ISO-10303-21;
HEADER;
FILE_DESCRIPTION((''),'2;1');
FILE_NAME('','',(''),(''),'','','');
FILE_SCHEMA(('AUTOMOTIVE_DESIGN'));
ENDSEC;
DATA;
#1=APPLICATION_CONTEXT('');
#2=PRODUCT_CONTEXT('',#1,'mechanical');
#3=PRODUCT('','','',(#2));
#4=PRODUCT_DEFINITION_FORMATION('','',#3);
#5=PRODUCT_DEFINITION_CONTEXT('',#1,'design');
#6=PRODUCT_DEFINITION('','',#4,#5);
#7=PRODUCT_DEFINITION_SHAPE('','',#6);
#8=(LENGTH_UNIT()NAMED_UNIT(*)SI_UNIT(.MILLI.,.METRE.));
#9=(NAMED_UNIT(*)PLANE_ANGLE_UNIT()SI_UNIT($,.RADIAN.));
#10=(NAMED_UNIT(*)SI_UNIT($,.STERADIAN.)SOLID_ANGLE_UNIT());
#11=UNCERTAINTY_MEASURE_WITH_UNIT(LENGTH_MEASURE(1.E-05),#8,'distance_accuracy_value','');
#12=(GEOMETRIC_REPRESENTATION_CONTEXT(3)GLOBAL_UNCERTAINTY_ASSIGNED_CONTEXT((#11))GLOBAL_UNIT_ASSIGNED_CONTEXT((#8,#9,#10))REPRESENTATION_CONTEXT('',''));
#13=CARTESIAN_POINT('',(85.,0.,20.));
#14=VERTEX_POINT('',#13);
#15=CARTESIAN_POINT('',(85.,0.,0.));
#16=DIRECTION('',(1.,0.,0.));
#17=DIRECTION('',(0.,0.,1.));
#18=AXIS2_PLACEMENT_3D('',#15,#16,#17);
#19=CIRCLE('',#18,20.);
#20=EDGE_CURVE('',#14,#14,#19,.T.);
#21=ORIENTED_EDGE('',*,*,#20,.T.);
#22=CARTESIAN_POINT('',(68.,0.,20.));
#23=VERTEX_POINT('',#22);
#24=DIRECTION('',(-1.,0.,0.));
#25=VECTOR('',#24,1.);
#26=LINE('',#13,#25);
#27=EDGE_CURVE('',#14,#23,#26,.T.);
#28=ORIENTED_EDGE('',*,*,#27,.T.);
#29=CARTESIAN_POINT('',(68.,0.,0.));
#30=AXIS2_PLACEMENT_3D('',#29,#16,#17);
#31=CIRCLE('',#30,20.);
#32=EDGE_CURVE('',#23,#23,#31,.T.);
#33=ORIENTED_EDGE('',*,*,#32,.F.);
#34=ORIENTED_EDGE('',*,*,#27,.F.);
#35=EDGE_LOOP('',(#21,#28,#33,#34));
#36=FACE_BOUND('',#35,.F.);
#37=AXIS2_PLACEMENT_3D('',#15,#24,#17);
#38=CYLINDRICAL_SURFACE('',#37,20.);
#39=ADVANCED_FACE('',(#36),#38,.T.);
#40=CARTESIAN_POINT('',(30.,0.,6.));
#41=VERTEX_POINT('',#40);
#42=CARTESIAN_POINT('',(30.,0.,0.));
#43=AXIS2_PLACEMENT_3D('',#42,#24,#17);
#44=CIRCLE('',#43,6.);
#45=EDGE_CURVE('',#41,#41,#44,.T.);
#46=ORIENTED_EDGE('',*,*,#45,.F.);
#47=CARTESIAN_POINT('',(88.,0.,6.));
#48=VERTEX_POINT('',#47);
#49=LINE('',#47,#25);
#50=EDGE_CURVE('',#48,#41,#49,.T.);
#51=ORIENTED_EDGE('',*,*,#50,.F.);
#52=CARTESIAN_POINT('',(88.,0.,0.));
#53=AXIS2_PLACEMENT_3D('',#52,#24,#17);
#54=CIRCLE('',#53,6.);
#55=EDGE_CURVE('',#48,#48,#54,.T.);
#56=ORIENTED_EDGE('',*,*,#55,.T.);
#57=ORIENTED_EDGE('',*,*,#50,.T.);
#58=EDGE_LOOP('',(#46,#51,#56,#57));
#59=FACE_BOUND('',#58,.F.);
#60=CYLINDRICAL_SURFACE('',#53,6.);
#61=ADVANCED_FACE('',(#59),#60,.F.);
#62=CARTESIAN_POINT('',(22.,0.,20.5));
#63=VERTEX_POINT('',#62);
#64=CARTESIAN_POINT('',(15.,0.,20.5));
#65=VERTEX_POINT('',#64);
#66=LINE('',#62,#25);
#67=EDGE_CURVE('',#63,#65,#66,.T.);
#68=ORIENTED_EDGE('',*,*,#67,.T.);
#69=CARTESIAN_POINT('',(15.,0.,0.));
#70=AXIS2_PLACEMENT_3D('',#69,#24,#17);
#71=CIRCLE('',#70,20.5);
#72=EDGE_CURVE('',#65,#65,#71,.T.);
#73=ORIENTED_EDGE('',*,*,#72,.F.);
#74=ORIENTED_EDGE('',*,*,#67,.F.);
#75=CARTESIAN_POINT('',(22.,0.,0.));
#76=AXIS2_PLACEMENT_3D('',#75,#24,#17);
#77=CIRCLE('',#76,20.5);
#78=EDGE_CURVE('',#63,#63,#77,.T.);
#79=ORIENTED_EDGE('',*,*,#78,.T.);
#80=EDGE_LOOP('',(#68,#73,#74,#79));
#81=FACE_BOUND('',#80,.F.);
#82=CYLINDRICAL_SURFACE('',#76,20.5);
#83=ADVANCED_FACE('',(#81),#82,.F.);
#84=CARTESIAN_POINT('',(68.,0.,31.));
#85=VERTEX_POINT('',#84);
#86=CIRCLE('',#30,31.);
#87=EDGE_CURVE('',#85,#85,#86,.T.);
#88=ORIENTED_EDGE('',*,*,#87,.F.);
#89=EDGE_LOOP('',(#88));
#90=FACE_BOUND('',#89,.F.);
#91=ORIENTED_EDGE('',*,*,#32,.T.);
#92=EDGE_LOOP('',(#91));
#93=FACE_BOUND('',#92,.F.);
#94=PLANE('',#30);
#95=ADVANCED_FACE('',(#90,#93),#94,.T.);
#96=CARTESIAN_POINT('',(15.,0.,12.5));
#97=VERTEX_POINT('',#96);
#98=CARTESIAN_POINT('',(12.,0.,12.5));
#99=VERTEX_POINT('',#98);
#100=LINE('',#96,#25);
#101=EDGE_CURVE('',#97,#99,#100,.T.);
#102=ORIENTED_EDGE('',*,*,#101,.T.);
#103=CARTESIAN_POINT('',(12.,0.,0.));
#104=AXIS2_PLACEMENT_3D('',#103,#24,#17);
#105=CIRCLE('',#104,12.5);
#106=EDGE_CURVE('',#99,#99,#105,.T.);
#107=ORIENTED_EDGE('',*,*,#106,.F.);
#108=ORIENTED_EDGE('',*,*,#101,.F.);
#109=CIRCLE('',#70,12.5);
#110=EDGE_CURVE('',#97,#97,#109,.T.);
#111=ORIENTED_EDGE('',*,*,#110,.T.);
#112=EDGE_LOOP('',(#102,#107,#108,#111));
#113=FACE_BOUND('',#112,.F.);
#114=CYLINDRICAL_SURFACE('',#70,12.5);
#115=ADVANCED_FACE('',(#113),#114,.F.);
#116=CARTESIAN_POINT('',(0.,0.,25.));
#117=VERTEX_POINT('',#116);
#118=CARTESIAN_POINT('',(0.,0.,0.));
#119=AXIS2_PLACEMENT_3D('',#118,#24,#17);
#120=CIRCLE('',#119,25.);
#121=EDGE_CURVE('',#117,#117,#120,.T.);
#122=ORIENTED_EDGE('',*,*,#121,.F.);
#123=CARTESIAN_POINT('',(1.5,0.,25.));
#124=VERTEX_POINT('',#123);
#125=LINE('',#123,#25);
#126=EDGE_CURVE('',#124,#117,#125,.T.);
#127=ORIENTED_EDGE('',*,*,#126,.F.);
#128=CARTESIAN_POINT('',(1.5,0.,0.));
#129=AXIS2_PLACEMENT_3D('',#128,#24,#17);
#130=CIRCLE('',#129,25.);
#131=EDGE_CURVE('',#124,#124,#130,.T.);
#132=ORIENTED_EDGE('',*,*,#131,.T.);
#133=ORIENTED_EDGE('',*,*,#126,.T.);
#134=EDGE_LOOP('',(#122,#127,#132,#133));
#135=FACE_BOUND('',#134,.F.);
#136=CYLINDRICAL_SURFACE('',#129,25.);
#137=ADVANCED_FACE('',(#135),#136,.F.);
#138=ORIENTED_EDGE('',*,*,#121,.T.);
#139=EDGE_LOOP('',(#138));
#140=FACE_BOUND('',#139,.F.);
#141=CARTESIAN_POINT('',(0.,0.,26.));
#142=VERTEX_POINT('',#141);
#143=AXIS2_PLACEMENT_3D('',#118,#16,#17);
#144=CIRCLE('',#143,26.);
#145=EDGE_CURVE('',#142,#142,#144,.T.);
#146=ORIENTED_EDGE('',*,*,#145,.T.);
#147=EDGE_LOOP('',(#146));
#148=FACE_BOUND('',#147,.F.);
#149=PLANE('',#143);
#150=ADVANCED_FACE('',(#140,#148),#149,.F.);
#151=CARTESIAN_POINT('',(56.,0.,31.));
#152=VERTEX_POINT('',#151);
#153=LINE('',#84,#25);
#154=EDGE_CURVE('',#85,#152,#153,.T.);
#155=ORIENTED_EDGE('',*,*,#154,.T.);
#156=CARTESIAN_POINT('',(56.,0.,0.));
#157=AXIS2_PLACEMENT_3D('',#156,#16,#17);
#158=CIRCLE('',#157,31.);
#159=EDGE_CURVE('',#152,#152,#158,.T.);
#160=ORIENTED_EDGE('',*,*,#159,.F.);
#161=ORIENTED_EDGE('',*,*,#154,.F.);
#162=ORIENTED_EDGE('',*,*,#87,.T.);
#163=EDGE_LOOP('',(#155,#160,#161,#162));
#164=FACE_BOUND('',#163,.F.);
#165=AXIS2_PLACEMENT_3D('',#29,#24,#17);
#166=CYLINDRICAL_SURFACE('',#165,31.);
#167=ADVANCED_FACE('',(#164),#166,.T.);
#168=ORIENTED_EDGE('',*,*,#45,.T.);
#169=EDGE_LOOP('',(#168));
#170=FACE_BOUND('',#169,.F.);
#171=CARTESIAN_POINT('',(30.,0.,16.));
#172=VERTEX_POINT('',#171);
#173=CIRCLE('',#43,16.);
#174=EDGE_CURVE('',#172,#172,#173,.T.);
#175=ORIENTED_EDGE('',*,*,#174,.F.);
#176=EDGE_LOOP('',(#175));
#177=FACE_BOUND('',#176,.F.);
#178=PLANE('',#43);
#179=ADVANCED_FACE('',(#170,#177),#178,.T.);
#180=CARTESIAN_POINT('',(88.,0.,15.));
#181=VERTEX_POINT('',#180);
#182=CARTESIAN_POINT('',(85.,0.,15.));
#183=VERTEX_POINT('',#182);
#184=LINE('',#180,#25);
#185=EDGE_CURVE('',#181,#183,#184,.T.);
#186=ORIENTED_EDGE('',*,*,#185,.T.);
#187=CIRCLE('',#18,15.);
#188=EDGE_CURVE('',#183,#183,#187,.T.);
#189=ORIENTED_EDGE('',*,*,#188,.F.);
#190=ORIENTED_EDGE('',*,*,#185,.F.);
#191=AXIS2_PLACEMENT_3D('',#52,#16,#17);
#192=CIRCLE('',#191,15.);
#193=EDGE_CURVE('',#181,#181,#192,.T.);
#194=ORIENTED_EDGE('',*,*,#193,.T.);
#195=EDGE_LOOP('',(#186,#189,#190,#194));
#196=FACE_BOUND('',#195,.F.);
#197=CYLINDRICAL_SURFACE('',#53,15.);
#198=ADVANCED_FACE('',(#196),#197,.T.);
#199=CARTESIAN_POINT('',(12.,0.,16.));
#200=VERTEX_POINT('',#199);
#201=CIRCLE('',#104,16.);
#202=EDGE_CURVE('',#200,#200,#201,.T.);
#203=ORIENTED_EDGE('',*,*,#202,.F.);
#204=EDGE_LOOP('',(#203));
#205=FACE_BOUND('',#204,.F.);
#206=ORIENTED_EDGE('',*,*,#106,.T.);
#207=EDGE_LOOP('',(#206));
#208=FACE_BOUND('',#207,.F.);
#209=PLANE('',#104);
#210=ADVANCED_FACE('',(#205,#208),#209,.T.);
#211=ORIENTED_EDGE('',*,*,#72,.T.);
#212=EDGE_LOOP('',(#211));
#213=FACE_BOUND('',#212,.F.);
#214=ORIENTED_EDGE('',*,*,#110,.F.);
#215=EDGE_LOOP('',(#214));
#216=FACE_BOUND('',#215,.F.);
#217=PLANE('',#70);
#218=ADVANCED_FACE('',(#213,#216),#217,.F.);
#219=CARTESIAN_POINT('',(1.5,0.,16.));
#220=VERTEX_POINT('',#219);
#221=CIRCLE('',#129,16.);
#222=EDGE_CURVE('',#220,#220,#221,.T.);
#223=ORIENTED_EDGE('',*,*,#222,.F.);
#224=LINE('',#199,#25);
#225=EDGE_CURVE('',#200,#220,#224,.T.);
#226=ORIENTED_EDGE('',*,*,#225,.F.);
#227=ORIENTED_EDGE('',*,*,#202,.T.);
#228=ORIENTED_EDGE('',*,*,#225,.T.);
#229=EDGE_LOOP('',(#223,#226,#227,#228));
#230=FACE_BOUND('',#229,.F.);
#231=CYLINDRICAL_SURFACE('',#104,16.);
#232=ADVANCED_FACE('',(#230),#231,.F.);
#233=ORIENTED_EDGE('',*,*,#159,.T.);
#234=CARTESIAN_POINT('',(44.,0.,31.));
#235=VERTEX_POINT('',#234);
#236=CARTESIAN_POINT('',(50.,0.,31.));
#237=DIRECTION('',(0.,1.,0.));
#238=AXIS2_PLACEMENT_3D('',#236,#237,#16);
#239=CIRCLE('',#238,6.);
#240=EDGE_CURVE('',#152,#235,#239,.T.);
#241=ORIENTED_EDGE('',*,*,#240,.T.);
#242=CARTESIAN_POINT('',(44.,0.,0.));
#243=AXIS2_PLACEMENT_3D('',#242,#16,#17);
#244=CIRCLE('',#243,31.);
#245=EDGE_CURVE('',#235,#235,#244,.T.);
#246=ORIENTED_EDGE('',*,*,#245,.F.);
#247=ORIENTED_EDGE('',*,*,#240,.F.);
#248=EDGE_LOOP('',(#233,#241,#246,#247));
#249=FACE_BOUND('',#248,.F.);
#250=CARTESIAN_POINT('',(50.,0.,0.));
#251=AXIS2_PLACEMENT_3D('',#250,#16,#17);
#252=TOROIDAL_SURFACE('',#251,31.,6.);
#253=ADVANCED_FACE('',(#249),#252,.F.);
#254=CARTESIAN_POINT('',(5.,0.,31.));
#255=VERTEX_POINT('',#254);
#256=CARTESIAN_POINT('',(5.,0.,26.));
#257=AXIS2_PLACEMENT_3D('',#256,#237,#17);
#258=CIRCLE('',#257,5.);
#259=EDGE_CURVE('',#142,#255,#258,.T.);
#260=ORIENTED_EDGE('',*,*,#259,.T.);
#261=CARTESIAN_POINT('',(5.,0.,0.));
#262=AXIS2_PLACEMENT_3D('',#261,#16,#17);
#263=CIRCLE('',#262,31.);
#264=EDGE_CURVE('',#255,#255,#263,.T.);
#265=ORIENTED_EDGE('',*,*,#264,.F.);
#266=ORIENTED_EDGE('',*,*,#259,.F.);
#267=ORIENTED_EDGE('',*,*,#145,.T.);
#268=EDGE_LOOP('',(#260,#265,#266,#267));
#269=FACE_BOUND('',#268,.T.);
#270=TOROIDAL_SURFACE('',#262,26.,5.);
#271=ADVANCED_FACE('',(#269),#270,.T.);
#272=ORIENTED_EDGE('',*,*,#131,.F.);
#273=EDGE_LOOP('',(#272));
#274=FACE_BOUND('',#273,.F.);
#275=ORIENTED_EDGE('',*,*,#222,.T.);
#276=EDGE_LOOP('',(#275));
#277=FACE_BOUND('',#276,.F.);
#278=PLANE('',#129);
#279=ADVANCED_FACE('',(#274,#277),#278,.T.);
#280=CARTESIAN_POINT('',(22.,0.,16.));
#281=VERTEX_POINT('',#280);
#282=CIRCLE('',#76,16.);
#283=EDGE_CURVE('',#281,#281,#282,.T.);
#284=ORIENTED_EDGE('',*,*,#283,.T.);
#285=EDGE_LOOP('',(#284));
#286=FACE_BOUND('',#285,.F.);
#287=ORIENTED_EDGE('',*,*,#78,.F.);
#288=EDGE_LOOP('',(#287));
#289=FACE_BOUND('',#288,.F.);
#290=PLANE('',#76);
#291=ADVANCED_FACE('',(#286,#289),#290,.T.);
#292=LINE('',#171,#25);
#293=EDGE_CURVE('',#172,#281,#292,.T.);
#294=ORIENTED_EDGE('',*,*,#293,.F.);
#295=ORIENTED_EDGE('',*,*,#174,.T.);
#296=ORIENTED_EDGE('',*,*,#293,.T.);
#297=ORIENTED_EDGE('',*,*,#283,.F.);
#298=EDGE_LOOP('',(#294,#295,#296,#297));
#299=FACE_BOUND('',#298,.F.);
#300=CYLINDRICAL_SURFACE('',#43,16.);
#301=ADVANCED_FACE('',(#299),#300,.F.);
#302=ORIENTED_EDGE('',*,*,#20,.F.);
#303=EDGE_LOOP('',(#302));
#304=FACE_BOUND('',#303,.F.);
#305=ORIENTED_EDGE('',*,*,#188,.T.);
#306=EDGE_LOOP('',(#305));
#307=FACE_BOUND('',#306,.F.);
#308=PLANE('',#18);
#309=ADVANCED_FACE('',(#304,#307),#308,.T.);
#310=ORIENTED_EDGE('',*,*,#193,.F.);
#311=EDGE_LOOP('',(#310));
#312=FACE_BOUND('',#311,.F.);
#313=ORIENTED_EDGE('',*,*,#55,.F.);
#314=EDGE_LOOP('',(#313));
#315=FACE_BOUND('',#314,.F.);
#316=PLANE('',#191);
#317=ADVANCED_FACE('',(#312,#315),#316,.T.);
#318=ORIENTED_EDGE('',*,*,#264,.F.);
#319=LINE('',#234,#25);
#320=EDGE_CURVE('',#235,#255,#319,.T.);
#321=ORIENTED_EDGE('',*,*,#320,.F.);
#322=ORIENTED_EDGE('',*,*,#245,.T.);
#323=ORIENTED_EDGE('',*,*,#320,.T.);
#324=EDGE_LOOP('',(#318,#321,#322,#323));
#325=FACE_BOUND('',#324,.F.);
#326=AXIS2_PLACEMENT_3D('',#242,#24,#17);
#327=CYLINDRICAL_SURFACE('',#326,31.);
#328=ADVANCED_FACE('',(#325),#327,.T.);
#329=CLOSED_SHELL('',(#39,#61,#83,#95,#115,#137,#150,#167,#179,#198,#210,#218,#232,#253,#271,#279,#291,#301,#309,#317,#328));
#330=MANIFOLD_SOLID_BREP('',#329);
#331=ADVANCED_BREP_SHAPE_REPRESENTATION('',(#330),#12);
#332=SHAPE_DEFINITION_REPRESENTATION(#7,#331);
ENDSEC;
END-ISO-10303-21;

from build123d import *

# Parameters (mm, degrees)
F4_R = 5


with BuildPart() as f2:
    # F0 (on Front) → F2 (revolve)
    with BuildSketch(Plane.XZ):
        with BuildLine():
            Line((0, 31), (0, 0))
            Line((0, 0), (88, 0))
            Line((88, 0), (88, 15))
            Line((88, 15), (85, 15))
            Line((85, 15), (85, 20))
            Line((85, 20), (68, 20))
            Line((68, 20), (68, 31))
            Line((68, 31), (56, 31))
            ThreePointArc((56, 31), (50, 25), (44, 31))
            Line((44, 31), (0, 31))
        make_face()
    revolve(axis=Axis((63.740881, 0, 0), (1, 0, 0)))

    # F1 (on Front) → F3 (revolve, cut)
    with BuildSketch(Plane.XZ):
        Polygon((1.5, 25), (0, 25), (0, 0), (88, 0), (88, 6), (30, 6), (30, 16), (22, 16), (22, 20.5), (15, 20.5), (15, 12.5), (12, 12.5), (12, 16), (1.5, 16), align=None)
    revolve(axis=Axis((-14.931626, 0, 0), (-1, 0, 0)), mode=Mode.SUBTRACT)

    # F4
    f4_edges = [f2.edges().sort_by_distance(p)[0] for p in [
        (0, 0, -31),
    ]]
    fillet(f4_edges, radius=F4_R)


solid = f2.part
